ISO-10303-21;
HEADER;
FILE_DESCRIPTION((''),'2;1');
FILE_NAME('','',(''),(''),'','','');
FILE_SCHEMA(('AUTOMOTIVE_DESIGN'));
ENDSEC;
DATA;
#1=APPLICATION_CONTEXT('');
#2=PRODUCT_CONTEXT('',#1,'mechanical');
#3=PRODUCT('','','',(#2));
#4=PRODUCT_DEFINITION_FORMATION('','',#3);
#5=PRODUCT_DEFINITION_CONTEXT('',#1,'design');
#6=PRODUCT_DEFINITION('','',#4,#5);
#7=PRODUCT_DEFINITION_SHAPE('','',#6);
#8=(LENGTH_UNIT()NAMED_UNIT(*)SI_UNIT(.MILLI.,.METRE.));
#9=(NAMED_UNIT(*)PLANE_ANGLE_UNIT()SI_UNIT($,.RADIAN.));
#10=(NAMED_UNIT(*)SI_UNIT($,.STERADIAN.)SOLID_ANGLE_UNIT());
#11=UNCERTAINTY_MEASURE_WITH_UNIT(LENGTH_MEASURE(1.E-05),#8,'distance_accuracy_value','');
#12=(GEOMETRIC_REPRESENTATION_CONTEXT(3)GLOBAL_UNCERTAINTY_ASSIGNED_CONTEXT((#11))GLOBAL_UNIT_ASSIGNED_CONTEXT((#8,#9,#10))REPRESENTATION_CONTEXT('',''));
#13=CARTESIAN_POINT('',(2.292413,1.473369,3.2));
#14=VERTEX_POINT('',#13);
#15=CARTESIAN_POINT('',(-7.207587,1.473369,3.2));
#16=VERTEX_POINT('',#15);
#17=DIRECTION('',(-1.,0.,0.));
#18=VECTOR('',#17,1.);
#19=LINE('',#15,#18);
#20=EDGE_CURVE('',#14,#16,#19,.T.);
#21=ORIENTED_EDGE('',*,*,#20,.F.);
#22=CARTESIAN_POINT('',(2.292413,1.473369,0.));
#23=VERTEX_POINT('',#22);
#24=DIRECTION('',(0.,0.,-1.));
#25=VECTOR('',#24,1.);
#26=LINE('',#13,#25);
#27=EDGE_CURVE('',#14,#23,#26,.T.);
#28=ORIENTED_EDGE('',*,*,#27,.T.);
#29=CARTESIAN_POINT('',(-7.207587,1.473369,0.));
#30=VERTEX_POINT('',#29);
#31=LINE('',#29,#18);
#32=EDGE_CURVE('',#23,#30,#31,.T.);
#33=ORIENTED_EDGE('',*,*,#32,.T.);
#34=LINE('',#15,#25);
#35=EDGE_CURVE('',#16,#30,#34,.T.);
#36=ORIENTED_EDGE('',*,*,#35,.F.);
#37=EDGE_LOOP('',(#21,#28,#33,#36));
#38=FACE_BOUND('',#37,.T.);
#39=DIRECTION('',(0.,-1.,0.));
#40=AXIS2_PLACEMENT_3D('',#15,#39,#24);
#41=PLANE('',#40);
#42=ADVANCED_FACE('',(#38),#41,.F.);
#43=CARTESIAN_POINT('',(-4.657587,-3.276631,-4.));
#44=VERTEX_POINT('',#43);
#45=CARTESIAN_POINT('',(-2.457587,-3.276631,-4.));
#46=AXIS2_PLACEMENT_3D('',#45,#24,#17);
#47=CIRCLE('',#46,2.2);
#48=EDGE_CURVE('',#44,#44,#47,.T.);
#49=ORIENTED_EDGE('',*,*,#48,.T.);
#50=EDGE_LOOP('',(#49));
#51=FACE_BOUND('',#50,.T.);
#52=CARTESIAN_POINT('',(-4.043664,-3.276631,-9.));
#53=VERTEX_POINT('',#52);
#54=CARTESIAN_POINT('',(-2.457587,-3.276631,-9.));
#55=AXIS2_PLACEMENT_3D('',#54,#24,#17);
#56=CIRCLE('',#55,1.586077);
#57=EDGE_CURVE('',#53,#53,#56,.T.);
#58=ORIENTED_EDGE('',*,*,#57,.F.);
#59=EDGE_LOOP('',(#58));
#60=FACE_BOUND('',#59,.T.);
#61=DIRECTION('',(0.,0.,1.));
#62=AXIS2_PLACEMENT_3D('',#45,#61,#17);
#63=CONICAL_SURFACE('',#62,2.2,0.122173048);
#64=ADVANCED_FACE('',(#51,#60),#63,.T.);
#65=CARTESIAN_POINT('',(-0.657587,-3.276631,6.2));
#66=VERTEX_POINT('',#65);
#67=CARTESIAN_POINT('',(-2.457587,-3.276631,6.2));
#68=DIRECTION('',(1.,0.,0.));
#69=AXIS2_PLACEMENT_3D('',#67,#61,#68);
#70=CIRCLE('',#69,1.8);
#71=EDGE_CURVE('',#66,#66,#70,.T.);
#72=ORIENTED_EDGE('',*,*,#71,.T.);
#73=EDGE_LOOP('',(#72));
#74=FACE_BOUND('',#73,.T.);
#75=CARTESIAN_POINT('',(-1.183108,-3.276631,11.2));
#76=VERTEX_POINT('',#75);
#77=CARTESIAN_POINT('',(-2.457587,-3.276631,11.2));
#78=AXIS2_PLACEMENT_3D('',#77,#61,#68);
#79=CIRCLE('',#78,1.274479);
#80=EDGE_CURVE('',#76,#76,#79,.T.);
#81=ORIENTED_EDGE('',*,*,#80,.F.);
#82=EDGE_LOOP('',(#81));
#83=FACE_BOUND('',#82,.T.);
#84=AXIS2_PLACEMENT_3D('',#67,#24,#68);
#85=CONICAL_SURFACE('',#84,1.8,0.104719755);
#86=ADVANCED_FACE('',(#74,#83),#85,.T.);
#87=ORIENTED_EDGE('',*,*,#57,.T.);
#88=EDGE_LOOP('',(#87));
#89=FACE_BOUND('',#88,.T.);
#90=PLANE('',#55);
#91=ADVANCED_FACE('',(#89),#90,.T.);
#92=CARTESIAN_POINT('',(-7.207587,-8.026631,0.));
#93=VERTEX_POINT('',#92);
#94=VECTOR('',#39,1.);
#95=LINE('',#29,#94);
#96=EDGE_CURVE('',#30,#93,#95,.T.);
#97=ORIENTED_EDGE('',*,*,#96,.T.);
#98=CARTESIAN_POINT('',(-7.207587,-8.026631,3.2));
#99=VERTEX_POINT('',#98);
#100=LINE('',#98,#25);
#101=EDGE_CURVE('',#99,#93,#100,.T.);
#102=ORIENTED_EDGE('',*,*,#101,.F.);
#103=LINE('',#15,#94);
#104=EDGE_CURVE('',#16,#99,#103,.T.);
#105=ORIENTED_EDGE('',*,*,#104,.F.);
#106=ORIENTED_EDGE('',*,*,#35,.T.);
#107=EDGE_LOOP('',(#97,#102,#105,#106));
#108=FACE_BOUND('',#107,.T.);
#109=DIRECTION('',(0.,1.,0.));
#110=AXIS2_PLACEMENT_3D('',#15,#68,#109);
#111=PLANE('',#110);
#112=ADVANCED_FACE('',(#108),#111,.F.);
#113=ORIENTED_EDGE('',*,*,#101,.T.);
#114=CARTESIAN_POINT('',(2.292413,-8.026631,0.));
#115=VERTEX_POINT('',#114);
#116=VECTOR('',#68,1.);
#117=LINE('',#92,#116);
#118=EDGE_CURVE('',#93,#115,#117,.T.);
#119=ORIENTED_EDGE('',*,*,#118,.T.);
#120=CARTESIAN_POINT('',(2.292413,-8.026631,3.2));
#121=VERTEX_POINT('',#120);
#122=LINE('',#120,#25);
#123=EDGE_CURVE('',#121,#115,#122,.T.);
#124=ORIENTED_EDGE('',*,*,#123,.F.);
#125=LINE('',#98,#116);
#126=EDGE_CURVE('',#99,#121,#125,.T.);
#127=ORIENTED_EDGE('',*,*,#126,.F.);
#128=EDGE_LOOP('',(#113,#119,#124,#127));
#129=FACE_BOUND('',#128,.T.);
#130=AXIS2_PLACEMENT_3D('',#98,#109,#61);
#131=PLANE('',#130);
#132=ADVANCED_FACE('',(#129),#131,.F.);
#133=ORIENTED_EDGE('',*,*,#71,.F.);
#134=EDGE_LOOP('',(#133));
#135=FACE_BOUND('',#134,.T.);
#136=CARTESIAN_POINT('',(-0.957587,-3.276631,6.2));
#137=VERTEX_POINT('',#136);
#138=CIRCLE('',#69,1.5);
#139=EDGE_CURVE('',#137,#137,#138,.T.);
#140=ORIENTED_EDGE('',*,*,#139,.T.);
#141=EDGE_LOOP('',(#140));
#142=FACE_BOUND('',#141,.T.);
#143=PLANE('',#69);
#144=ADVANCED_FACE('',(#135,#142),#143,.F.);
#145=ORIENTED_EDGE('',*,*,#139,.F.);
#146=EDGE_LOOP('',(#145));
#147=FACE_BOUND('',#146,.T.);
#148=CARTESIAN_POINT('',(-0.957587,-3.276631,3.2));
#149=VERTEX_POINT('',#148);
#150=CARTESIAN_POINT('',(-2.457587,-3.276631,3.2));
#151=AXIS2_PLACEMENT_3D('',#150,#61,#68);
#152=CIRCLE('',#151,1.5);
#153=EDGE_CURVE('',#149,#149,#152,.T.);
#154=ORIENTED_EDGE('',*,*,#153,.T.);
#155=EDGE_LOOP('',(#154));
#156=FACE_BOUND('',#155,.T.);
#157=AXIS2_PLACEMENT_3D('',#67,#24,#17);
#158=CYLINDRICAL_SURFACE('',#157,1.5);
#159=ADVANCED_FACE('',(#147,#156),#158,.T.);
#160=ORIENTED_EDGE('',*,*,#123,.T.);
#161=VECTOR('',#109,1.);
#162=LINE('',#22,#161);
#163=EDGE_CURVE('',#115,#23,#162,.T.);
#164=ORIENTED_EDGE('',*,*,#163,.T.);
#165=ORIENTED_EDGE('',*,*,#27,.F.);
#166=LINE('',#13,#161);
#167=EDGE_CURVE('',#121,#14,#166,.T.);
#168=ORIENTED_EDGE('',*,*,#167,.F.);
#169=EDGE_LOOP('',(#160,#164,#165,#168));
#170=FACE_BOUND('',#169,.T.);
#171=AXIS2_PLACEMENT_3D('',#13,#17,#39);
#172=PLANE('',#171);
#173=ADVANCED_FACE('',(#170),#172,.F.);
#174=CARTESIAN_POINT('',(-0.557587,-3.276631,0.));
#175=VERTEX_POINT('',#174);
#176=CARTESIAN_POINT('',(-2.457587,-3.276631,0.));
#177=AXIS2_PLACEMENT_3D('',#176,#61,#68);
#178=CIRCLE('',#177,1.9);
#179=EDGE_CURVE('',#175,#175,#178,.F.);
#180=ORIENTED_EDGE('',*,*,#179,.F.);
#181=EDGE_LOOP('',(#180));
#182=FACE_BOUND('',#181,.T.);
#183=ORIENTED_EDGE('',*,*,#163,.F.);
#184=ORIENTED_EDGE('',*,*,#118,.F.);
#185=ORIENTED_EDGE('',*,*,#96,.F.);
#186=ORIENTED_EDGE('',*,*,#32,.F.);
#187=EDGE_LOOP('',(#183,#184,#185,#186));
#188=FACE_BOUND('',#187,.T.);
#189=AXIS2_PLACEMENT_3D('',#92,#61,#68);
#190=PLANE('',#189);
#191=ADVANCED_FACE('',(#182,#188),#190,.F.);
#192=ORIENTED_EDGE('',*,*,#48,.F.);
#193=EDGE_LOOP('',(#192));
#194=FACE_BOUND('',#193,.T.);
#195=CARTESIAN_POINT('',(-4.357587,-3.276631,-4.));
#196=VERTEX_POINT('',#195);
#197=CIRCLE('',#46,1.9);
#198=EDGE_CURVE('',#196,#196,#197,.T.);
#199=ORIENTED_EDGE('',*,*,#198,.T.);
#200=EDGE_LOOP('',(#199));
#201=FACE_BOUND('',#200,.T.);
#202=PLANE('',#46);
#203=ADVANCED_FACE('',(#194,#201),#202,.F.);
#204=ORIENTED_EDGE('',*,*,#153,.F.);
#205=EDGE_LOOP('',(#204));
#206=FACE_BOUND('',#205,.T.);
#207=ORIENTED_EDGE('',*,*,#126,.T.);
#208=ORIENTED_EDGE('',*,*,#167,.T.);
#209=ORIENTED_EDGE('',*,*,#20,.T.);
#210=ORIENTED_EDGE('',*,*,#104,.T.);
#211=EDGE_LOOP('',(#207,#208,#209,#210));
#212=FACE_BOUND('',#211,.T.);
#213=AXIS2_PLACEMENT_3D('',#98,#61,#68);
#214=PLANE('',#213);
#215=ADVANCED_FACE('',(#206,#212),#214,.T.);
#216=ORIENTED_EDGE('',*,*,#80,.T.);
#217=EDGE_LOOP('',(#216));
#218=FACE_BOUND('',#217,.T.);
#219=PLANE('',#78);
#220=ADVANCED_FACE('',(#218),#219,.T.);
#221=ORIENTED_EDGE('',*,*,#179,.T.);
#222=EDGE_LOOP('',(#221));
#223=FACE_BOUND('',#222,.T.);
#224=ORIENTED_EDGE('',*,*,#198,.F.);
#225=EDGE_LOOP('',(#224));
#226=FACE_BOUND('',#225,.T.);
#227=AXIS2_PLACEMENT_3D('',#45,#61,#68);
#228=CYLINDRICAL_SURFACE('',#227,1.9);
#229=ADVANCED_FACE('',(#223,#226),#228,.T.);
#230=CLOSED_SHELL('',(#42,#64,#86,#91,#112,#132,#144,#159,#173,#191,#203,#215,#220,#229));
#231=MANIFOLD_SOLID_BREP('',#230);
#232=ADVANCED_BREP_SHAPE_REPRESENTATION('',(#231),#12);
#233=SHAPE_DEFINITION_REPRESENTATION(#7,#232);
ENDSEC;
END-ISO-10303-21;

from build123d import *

# Parameters (mm, degrees)
ESQUISSE1_W      = 9.5
ESQUISSE1_H      = 9.5
EXTRUSION1_DEPTH = 3.2
ESQUISSE2_R      = 1.5
EXTRUSION2_DEPTH = 3
ESQUISSE3_R      = 1.8
EXTRUSION3_DEPTH = 5
EXTRUSION3_TAPER = 6
ESQUISSE4_R      = 1.9
EXTRUSION4_DEPTH = 4
ESQUISSE5_R      = 2.2
EXTRUSION5_DEPTH = 5
EXTRUSION5_TAPER = 7


with BuildPart() as part:
    # Esquisse1 → Extrusion1 (new body)
    with BuildSketch(Plane.XY):
        with Locations((-2.457587253, -3.276631259)):
            Rectangle(ESQUISSE1_W, ESQUISSE1_H)
    extrude(amount=EXTRUSION1_DEPTH)

    # Esquisse2 → Extrusion2 (add)
    with BuildSketch(Plane.XY.offset(3.2)):
        with Locations((-2.457587253, -3.276631259)):
            Circle(ESQUISSE2_R)
    extrude(amount=EXTRUSION2_DEPTH)

    # Esquisse3 → Extrusion3 (add)
    with BuildSketch(Plane.XY.offset(6.2)):
        with Locations((-2.457587253, -3.276631259)):
            Circle(ESQUISSE3_R)
    extrude(amount=EXTRUSION3_DEPTH, taper=EXTRUSION3_TAPER)

    # Esquisse4 → Extrusion4 (add)
    with BuildSketch(Plane(origin=(0, 0, 0), x_dir=(-1, 0, 0), z_dir=(0, 0, -1))):
        with Locations(Location((2.457587253, -3.276631259, 0), (0, 0, 180))):
            Circle(ESQUISSE4_R)
    extrude(amount=EXTRUSION4_DEPTH)

    # Esquisse5 → Extrusion5 (add)
    with BuildSketch(Plane(origin=(0, 0, -4), x_dir=(-1, 0, 0), z_dir=(0, 0, -1))):
        with Locations((2.457587253, -3.276631259)):
            Circle(ESQUISSE5_R)
    extrude(amount=EXTRUSION5_DEPTH, taper=EXTRUSION5_TAPER)


solid = part.part
